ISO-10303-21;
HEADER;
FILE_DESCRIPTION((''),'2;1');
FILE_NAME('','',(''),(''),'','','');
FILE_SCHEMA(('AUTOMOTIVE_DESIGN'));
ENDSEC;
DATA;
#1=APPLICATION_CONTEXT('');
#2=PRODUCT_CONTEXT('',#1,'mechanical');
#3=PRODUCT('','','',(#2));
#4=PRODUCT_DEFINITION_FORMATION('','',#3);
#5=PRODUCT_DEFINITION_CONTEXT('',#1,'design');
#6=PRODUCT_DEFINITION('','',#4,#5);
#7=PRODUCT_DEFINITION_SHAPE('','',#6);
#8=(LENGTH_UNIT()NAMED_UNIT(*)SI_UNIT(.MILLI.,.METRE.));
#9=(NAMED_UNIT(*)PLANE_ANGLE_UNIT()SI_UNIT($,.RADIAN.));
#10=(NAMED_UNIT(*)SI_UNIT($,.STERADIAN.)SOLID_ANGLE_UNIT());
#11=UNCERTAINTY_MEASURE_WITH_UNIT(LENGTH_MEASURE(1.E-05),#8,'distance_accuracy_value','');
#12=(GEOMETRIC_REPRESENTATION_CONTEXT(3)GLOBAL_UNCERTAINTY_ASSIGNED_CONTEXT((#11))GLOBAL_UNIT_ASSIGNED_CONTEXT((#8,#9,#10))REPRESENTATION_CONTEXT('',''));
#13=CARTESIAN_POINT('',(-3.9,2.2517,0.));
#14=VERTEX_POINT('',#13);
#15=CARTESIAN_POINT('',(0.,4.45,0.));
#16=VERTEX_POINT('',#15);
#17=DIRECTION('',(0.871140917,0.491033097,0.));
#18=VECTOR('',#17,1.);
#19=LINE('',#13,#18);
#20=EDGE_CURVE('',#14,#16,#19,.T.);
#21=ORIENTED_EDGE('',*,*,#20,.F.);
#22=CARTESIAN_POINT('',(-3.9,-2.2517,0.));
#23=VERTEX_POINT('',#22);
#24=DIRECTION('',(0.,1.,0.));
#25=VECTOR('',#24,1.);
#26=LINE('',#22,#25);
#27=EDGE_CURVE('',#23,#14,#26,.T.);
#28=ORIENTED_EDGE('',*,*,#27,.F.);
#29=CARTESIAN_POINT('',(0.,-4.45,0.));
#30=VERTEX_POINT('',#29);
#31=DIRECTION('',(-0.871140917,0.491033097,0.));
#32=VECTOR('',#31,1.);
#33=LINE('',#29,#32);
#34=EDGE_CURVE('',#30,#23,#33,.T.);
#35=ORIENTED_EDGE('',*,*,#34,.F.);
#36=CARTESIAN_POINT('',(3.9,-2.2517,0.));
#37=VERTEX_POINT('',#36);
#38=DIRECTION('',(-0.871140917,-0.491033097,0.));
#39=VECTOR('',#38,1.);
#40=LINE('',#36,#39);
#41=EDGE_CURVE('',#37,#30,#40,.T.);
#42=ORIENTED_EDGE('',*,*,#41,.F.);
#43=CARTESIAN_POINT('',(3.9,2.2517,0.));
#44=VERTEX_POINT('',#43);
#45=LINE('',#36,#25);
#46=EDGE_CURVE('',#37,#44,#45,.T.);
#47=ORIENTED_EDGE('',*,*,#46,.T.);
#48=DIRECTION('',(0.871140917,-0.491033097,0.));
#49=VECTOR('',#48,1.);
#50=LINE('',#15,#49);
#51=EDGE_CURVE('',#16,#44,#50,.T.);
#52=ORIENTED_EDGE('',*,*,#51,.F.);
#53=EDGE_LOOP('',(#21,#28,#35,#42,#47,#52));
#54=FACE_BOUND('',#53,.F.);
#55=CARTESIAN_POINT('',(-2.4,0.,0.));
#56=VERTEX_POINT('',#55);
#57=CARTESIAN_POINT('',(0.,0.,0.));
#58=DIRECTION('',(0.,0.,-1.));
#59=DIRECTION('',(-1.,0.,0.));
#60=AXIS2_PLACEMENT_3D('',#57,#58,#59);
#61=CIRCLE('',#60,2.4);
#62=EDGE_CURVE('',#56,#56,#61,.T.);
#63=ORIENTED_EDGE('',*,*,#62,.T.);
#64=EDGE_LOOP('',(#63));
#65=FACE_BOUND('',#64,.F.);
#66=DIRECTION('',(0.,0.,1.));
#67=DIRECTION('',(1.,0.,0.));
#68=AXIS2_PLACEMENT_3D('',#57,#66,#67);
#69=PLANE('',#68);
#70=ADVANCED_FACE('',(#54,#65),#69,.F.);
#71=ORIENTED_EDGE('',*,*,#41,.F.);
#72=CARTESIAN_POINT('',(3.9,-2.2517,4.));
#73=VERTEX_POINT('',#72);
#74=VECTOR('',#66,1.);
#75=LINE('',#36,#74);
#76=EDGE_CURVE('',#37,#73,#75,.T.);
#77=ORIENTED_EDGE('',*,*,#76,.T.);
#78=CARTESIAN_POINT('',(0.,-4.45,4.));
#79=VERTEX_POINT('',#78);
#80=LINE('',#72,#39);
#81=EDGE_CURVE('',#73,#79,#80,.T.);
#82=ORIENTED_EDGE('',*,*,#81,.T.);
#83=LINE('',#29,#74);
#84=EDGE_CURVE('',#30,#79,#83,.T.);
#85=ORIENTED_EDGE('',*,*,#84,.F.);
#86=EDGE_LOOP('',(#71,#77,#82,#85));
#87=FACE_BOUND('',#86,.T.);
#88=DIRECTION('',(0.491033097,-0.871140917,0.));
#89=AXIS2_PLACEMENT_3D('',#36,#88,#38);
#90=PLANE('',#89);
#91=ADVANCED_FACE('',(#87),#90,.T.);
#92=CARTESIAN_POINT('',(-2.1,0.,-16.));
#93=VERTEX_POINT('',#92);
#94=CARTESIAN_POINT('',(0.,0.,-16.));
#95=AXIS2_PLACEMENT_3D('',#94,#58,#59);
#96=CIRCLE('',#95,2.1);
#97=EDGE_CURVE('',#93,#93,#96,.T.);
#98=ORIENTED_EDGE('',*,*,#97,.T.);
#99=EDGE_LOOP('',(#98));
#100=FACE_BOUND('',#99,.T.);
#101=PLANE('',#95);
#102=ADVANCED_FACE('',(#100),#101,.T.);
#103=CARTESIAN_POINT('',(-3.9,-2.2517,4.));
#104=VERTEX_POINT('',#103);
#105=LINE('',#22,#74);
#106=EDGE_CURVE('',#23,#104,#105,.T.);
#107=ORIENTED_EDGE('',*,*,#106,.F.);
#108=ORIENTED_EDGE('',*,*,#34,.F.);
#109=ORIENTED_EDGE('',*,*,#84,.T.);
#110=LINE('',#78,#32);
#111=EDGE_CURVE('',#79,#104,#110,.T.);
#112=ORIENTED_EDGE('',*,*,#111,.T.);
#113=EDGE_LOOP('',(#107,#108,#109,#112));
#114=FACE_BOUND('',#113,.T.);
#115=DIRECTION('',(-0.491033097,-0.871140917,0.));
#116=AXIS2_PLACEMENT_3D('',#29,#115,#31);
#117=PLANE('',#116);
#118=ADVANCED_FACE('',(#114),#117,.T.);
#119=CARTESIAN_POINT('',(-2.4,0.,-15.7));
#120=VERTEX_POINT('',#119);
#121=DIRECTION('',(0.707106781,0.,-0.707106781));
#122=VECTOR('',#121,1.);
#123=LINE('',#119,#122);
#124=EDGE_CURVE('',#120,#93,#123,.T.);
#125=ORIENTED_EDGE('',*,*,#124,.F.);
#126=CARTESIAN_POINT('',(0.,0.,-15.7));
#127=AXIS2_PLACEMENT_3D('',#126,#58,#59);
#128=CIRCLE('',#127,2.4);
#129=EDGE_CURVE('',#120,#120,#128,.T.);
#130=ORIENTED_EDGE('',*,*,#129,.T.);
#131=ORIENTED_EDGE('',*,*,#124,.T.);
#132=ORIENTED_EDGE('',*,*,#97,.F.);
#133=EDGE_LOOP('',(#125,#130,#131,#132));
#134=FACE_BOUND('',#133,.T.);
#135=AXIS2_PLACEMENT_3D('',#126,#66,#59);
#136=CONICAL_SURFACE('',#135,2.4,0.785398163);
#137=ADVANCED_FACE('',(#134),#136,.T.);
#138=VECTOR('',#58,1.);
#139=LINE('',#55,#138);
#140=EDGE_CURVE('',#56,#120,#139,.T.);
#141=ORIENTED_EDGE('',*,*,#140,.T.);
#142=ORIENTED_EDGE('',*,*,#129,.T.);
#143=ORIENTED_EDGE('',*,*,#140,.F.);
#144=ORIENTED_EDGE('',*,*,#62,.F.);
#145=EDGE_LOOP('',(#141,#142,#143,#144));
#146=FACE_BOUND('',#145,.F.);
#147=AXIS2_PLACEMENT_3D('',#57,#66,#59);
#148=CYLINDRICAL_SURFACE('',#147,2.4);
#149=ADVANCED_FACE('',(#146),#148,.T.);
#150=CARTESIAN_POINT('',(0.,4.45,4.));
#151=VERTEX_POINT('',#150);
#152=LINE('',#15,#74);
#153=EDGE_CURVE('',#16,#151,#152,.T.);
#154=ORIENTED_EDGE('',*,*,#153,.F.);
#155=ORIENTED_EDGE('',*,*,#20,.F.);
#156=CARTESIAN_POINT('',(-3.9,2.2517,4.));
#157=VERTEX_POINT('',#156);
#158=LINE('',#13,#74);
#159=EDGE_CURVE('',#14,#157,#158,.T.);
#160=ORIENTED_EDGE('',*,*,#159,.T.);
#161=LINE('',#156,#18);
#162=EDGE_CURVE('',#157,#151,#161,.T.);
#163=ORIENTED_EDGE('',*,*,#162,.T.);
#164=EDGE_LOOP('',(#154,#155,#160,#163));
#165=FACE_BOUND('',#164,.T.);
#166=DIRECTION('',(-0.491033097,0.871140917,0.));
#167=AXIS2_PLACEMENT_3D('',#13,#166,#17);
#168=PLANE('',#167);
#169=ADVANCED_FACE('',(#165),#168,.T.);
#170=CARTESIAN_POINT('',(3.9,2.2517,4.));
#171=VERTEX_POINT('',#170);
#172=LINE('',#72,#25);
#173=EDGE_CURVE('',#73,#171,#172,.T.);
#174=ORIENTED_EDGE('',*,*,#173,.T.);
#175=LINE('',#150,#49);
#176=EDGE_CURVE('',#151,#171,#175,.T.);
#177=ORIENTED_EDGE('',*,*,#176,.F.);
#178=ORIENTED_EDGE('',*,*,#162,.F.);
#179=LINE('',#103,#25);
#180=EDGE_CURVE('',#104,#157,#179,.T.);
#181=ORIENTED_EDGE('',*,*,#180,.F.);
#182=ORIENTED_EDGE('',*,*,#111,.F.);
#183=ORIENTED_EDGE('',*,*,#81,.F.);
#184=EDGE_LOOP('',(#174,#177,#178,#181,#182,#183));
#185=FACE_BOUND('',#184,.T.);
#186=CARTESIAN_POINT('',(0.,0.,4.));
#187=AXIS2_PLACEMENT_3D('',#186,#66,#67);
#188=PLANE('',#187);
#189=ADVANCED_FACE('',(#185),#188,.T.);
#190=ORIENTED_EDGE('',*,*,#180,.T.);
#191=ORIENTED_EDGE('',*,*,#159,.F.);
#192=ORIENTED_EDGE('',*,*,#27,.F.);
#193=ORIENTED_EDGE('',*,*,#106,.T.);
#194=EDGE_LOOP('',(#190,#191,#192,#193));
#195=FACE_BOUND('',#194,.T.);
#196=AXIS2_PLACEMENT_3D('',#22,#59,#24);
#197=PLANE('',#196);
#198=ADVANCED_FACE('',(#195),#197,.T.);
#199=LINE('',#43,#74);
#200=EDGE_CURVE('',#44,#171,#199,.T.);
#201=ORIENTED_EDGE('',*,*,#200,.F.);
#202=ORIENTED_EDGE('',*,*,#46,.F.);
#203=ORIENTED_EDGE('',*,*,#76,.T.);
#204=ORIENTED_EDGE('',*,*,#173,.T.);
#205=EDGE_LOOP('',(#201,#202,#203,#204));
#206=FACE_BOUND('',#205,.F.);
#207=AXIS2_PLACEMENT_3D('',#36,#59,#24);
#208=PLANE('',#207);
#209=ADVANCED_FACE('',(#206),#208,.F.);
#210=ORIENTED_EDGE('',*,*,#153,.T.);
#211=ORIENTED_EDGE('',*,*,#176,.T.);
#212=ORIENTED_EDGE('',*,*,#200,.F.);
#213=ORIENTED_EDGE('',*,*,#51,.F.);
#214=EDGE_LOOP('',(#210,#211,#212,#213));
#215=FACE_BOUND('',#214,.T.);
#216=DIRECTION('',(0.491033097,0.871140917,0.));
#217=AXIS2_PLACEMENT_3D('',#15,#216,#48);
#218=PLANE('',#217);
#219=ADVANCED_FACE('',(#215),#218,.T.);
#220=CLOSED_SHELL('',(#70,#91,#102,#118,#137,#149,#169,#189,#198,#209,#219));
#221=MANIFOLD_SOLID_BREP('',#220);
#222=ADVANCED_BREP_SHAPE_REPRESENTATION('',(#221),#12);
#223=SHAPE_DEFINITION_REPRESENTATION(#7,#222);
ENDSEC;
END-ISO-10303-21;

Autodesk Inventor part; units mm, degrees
ref_plane "YZ Plane" through (0, 0, 0) normal (1, 0, 0) x (0, 1, 0)
ref_plane "XZ Plane" through (0, 0, 0) normal (0, 1, 0) x (-1, 0, 0)
ref_plane "XY Plane" through (0, 0, 0) normal (0, 0, 1) x (1, 0, 0)
sketch "Эскиз1" plane through (0, 0, 0) normal (0, 0, 1) x (1, 0, 0)
  line L0 (0, -4.45) -> (-3.9, -2.2517)
  line L1 (3.9, -2.2517) -> (0, -4.45)
  line L2 (0, 4.45) -> (3.9, 2.2517)
  line L3 (-3.9, 2.2517) -> (0, 4.45)
  line L4 (-3.9, -2.2517) -> (-3.9, 2.2517)
  line L5 (3.9, -2.2517) -> (3.9, 2.2517)
  point P0 (0, 0)
extrude "Выдавливание1" add sketch "Эскиз1" along normal blind 4
sketch "Эскиз2" plane through (0, 0, 0) normal (0, 0, -1) x (-1, 0, 0)
  circle A0 centre (0, 0) radius 2.4
  dimension "d2" = 4.8
extrude "Выдавливание2" add sketch "Эскиз2" along normal blind 16
thread "Резьба1" size "M5x0.8" class "6g" standard "ANSI Metric M Profile" full length
chamfer "Фаска1" distance 0.3 angle 45 1 edges at (2.4, 0, -16)
properties part number "Болт М5х16"
